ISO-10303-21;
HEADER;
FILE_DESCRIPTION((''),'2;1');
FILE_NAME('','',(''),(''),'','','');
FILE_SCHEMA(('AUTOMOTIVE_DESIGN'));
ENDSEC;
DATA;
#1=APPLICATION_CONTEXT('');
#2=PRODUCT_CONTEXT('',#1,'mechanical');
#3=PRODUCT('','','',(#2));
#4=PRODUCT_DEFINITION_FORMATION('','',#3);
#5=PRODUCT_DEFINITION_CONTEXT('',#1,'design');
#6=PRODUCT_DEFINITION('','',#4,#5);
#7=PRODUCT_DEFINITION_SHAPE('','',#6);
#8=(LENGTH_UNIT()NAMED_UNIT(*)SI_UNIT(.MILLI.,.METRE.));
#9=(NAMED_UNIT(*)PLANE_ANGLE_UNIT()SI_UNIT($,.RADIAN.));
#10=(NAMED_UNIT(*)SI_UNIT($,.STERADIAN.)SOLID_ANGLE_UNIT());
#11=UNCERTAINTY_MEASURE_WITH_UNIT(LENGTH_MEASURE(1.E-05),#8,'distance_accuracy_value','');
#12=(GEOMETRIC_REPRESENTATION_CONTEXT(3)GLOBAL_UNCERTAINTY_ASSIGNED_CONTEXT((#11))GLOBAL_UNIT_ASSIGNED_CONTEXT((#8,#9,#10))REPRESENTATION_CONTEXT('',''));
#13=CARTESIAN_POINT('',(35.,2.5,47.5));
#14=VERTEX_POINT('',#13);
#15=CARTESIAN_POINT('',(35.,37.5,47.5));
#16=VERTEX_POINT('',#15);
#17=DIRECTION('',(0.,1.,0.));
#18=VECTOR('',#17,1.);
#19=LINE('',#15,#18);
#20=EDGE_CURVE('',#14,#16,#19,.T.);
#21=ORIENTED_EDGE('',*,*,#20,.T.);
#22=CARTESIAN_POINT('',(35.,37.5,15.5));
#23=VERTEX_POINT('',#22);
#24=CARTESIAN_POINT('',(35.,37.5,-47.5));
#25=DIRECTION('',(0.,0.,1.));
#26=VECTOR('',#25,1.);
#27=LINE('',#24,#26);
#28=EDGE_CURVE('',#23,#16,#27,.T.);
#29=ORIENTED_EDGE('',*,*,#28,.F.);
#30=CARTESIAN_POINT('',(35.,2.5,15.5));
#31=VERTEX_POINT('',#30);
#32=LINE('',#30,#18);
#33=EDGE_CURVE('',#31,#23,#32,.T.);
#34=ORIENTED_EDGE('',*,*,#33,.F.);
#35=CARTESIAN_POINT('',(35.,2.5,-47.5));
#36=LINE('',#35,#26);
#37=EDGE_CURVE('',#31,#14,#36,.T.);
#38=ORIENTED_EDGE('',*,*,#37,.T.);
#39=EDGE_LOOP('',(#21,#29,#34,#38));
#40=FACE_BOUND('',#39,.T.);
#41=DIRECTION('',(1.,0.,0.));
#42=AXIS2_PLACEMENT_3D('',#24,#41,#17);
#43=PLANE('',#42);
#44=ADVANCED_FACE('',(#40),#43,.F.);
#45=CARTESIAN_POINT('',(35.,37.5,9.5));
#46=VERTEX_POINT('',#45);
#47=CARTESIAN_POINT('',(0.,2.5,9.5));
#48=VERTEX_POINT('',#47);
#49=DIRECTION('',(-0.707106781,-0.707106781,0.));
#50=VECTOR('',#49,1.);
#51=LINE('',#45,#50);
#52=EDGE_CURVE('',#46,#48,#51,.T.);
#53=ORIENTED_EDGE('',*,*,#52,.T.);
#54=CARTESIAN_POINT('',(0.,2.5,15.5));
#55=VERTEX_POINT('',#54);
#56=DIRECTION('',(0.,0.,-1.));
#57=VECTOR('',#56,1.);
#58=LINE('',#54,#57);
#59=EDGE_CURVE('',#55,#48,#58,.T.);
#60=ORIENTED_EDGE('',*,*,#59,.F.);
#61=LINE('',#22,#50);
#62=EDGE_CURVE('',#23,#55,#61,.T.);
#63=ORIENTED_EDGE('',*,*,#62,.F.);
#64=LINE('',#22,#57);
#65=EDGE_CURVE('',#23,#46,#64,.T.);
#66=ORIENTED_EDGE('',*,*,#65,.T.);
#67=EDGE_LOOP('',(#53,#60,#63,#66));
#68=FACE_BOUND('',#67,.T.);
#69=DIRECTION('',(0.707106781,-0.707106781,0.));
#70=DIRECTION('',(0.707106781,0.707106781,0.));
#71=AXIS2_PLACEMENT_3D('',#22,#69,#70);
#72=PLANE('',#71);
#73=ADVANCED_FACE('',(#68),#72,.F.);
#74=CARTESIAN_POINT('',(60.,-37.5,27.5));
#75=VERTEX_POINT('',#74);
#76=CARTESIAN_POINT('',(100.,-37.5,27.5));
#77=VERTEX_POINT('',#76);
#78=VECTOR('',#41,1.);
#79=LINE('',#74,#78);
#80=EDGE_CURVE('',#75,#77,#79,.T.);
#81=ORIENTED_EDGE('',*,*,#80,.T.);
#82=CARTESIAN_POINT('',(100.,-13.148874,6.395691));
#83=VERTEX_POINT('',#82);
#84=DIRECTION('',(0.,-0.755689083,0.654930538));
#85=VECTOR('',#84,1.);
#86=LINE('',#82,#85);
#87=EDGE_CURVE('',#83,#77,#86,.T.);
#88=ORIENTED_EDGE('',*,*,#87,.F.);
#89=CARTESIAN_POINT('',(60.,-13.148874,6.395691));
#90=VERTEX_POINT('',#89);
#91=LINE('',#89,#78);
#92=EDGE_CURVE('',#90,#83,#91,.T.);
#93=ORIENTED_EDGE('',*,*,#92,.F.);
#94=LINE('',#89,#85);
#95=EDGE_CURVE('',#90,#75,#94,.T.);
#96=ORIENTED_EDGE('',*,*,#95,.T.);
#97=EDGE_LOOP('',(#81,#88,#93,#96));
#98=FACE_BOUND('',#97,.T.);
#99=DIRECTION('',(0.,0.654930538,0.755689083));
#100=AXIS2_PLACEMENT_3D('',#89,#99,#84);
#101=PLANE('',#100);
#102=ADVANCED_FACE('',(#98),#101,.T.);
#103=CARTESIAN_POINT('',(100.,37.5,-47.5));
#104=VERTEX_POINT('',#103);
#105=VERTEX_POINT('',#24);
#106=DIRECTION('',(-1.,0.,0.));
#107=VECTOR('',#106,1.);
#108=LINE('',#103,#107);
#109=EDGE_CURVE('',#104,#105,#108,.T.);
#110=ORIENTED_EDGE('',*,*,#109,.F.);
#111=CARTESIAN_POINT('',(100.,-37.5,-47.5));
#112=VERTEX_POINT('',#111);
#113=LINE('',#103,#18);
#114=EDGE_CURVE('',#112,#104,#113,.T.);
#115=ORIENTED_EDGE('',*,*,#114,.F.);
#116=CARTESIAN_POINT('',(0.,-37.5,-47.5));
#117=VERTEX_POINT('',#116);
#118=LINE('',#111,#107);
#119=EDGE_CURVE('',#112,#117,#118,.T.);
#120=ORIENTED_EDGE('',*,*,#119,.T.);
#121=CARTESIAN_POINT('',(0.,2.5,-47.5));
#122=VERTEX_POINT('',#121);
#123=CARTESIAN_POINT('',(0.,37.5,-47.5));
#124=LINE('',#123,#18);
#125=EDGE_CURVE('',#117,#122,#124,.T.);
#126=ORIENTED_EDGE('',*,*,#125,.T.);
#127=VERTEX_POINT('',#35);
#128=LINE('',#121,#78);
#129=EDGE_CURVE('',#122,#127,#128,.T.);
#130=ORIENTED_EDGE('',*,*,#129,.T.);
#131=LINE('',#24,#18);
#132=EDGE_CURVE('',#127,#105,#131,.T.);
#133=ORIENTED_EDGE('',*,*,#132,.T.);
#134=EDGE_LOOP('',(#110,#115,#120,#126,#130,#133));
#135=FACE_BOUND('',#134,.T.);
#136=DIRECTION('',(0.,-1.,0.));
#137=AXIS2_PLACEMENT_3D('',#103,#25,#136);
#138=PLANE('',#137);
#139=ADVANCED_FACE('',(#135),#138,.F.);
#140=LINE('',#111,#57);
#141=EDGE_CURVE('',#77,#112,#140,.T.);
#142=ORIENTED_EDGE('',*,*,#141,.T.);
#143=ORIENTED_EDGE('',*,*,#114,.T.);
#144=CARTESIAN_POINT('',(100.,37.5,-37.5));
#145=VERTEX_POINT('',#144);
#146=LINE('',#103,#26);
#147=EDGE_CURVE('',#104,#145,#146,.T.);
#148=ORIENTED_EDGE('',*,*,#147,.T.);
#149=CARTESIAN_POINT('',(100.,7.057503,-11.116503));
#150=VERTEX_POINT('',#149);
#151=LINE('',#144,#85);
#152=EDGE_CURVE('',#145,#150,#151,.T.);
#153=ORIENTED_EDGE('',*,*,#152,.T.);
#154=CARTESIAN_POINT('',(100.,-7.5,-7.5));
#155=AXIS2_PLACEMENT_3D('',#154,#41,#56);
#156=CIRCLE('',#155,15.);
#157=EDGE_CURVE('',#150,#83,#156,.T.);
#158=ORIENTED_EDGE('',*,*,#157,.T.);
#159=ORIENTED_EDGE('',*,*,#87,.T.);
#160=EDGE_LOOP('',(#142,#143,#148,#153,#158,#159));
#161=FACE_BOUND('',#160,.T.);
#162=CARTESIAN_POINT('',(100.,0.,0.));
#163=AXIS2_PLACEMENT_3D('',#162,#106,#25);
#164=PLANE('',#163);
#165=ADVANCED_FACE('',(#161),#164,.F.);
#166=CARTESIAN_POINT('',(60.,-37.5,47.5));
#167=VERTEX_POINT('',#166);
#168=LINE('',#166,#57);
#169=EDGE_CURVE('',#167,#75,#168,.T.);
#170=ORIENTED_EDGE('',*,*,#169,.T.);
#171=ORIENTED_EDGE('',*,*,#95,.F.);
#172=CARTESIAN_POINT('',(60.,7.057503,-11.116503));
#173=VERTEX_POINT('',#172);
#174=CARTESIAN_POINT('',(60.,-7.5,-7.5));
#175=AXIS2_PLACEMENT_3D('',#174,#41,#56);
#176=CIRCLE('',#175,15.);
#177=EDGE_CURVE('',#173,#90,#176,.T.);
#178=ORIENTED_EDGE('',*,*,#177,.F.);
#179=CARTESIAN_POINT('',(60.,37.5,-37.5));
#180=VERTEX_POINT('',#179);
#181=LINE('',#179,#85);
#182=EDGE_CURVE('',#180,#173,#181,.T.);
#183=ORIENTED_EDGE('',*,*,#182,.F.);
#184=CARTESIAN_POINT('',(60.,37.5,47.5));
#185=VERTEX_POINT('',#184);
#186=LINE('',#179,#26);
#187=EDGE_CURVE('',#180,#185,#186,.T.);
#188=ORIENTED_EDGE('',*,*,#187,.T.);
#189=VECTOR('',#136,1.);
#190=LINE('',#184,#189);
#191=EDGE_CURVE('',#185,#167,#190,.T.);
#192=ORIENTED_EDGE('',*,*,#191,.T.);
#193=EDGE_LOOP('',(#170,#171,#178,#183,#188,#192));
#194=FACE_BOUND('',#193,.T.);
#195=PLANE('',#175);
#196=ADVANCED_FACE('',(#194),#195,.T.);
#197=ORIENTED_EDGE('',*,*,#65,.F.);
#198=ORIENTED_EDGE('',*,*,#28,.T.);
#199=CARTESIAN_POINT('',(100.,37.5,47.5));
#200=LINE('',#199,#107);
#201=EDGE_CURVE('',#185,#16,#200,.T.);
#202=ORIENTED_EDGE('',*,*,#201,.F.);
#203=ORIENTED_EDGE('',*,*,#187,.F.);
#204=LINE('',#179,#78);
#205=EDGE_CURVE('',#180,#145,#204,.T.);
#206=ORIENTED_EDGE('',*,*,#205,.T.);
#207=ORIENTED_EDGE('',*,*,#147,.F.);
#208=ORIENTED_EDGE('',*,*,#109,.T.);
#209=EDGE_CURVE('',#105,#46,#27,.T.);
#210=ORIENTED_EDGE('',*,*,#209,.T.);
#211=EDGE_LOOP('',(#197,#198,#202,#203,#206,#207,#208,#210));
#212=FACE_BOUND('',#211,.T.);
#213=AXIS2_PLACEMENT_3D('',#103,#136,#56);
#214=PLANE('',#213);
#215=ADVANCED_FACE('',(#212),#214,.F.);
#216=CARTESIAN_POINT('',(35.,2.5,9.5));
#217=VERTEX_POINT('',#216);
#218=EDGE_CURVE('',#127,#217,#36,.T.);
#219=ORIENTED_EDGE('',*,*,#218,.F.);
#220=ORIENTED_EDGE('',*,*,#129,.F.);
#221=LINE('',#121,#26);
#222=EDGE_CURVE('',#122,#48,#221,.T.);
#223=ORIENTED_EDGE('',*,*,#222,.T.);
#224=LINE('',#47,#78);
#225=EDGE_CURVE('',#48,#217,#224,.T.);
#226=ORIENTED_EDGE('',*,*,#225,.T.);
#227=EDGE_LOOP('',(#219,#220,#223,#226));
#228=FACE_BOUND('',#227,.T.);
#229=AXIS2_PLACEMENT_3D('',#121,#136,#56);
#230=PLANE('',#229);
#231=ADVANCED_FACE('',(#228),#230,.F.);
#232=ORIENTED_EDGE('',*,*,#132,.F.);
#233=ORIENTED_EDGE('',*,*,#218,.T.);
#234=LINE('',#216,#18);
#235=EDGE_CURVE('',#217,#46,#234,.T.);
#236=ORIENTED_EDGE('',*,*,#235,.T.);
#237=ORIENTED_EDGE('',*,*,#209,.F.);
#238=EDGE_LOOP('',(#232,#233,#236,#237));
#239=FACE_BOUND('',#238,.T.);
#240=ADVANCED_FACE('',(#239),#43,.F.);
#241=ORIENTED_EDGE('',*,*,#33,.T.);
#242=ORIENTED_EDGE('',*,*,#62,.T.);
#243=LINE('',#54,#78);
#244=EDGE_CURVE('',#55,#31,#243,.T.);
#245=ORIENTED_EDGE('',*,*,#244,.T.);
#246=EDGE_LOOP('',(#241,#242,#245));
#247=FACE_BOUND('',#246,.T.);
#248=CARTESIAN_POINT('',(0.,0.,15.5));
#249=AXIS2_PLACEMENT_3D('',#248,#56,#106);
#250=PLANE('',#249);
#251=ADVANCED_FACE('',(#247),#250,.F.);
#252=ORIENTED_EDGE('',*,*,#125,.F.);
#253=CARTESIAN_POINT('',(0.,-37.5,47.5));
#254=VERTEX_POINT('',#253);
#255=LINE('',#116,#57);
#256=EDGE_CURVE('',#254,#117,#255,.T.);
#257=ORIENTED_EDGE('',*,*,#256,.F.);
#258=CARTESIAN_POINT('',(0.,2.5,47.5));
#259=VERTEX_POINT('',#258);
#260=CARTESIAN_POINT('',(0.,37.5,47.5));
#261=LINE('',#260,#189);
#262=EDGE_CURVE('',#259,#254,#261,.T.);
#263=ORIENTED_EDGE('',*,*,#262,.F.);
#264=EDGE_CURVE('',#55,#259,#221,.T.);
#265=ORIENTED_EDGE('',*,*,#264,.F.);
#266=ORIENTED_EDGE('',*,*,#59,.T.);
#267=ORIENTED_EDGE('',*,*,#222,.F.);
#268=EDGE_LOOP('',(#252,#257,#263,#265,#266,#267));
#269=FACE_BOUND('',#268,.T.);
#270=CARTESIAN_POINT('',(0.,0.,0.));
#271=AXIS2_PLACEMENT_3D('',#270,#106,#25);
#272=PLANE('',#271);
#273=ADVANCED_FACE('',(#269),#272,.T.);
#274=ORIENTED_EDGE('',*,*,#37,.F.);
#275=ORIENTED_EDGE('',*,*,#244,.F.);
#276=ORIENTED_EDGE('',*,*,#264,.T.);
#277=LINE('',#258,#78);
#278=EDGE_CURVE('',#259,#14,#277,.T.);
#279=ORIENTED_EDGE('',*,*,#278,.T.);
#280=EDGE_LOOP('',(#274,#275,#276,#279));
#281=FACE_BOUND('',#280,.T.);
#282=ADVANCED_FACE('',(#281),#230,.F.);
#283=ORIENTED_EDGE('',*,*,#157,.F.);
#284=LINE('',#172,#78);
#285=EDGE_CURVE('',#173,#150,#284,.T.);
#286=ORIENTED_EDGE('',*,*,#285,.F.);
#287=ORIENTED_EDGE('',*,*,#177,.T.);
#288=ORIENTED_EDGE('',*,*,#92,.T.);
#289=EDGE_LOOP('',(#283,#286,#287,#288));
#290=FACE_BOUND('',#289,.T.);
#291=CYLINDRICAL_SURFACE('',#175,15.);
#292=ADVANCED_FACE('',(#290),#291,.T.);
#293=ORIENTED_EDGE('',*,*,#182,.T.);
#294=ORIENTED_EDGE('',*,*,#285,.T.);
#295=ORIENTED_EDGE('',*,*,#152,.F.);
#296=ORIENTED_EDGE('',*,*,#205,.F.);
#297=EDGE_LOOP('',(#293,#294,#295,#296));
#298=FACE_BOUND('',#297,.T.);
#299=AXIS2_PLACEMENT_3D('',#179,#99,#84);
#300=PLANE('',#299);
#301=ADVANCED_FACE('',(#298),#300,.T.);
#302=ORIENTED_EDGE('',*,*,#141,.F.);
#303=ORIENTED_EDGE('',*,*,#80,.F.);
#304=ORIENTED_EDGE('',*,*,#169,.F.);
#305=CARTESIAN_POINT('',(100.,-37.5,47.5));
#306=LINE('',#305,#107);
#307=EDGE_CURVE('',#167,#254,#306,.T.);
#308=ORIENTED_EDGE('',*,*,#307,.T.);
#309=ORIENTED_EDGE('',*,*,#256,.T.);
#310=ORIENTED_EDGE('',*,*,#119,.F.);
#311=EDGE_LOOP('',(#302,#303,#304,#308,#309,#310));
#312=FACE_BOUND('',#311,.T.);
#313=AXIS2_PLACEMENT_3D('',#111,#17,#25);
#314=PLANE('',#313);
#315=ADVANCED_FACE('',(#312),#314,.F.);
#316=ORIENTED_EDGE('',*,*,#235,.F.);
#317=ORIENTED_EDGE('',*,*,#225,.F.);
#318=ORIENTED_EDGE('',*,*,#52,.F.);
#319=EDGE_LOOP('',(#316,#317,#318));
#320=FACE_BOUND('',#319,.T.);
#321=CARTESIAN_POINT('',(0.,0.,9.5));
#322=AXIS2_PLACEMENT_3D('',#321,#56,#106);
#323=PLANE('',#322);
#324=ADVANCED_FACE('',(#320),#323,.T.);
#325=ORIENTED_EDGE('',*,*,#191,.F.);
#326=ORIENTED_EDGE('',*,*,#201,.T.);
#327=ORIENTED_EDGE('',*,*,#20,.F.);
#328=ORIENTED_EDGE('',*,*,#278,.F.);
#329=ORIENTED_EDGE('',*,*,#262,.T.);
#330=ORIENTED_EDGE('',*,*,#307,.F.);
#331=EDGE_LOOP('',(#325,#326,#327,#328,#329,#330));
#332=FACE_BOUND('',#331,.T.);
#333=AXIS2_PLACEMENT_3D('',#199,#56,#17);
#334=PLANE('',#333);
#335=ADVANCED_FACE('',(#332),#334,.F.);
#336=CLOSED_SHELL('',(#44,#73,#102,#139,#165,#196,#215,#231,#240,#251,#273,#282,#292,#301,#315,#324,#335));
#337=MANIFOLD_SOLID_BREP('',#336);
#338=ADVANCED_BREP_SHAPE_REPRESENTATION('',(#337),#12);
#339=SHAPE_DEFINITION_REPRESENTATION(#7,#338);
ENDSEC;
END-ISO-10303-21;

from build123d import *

# Parameters (mm, degrees)
SKETCH1_W           = 95
SKETCH1_H           = 75
BOSS_EXTRUDE1_DEPTH = 100
CUT_EXTRUDE1_DEPTH  = 40
SKETCH4_W           = 35
SKETCH4_H           = 35
CUT_EXTRUDE2_DEPTH  = 96
BOSS_EXTRUDE4_DEPTH = 6


with BuildPart() as part:
    # Sketch1 → Boss-Extrude1 (new body)
    with BuildSketch(Plane(origin=(0, 0, 0), x_dir=(0, 0, -1), z_dir=(1, 0, 0))):
        Rectangle(SKETCH1_W, SKETCH1_H)
    extrude(amount=BOSS_EXTRUDE1_DEPTH)

    # Sketch2 → Cut-Extrude1 (cut)
    with BuildSketch(Plane(origin=(100, 0, 0), x_dir=(0, 0, -1), z_dir=(1, 0, 0))):
        with BuildLine():
            Line((37.5, 37.5), (11.116502976, 7.057503434))
            ThreePointArc((11.116502976, 7.057503434), (-3.835336242, 2.323958076), (-6.395690793, -13.148873992))
            Line((-6.395690793, -13.148873992), (-27.5, -37.5))
            Line((-27.5, -37.5), (-47.5, -37.5))
            Line((-47.5, -37.5), (-47.5, 37.5))
            Line((-47.5, 37.5), (37.5, 37.5))
        make_face()
    extrude(amount=-CUT_EXTRUDE1_DEPTH, mode=Mode.SUBTRACT)

    # Sketch4 → Cut-Extrude2 (cut, through all)
    with BuildSketch(Plane.XY.offset(47.5)):
        with Locations((17.5, 20)):
            Rectangle(SKETCH4_W, SKETCH4_H)
    extrude(amount=-CUT_EXTRUDE2_DEPTH, mode=Mode.SUBTRACT)

    # Sketch14 → Boss-Extrude4 (add)
    with BuildSketch(Plane.XY.offset(9.5)):
        Polygon((35, 37.5), (0, 2.5), (35, 2.5), align=None)
    extrude(amount=BOSS_EXTRUDE4_DEPTH)


solid = part.part
